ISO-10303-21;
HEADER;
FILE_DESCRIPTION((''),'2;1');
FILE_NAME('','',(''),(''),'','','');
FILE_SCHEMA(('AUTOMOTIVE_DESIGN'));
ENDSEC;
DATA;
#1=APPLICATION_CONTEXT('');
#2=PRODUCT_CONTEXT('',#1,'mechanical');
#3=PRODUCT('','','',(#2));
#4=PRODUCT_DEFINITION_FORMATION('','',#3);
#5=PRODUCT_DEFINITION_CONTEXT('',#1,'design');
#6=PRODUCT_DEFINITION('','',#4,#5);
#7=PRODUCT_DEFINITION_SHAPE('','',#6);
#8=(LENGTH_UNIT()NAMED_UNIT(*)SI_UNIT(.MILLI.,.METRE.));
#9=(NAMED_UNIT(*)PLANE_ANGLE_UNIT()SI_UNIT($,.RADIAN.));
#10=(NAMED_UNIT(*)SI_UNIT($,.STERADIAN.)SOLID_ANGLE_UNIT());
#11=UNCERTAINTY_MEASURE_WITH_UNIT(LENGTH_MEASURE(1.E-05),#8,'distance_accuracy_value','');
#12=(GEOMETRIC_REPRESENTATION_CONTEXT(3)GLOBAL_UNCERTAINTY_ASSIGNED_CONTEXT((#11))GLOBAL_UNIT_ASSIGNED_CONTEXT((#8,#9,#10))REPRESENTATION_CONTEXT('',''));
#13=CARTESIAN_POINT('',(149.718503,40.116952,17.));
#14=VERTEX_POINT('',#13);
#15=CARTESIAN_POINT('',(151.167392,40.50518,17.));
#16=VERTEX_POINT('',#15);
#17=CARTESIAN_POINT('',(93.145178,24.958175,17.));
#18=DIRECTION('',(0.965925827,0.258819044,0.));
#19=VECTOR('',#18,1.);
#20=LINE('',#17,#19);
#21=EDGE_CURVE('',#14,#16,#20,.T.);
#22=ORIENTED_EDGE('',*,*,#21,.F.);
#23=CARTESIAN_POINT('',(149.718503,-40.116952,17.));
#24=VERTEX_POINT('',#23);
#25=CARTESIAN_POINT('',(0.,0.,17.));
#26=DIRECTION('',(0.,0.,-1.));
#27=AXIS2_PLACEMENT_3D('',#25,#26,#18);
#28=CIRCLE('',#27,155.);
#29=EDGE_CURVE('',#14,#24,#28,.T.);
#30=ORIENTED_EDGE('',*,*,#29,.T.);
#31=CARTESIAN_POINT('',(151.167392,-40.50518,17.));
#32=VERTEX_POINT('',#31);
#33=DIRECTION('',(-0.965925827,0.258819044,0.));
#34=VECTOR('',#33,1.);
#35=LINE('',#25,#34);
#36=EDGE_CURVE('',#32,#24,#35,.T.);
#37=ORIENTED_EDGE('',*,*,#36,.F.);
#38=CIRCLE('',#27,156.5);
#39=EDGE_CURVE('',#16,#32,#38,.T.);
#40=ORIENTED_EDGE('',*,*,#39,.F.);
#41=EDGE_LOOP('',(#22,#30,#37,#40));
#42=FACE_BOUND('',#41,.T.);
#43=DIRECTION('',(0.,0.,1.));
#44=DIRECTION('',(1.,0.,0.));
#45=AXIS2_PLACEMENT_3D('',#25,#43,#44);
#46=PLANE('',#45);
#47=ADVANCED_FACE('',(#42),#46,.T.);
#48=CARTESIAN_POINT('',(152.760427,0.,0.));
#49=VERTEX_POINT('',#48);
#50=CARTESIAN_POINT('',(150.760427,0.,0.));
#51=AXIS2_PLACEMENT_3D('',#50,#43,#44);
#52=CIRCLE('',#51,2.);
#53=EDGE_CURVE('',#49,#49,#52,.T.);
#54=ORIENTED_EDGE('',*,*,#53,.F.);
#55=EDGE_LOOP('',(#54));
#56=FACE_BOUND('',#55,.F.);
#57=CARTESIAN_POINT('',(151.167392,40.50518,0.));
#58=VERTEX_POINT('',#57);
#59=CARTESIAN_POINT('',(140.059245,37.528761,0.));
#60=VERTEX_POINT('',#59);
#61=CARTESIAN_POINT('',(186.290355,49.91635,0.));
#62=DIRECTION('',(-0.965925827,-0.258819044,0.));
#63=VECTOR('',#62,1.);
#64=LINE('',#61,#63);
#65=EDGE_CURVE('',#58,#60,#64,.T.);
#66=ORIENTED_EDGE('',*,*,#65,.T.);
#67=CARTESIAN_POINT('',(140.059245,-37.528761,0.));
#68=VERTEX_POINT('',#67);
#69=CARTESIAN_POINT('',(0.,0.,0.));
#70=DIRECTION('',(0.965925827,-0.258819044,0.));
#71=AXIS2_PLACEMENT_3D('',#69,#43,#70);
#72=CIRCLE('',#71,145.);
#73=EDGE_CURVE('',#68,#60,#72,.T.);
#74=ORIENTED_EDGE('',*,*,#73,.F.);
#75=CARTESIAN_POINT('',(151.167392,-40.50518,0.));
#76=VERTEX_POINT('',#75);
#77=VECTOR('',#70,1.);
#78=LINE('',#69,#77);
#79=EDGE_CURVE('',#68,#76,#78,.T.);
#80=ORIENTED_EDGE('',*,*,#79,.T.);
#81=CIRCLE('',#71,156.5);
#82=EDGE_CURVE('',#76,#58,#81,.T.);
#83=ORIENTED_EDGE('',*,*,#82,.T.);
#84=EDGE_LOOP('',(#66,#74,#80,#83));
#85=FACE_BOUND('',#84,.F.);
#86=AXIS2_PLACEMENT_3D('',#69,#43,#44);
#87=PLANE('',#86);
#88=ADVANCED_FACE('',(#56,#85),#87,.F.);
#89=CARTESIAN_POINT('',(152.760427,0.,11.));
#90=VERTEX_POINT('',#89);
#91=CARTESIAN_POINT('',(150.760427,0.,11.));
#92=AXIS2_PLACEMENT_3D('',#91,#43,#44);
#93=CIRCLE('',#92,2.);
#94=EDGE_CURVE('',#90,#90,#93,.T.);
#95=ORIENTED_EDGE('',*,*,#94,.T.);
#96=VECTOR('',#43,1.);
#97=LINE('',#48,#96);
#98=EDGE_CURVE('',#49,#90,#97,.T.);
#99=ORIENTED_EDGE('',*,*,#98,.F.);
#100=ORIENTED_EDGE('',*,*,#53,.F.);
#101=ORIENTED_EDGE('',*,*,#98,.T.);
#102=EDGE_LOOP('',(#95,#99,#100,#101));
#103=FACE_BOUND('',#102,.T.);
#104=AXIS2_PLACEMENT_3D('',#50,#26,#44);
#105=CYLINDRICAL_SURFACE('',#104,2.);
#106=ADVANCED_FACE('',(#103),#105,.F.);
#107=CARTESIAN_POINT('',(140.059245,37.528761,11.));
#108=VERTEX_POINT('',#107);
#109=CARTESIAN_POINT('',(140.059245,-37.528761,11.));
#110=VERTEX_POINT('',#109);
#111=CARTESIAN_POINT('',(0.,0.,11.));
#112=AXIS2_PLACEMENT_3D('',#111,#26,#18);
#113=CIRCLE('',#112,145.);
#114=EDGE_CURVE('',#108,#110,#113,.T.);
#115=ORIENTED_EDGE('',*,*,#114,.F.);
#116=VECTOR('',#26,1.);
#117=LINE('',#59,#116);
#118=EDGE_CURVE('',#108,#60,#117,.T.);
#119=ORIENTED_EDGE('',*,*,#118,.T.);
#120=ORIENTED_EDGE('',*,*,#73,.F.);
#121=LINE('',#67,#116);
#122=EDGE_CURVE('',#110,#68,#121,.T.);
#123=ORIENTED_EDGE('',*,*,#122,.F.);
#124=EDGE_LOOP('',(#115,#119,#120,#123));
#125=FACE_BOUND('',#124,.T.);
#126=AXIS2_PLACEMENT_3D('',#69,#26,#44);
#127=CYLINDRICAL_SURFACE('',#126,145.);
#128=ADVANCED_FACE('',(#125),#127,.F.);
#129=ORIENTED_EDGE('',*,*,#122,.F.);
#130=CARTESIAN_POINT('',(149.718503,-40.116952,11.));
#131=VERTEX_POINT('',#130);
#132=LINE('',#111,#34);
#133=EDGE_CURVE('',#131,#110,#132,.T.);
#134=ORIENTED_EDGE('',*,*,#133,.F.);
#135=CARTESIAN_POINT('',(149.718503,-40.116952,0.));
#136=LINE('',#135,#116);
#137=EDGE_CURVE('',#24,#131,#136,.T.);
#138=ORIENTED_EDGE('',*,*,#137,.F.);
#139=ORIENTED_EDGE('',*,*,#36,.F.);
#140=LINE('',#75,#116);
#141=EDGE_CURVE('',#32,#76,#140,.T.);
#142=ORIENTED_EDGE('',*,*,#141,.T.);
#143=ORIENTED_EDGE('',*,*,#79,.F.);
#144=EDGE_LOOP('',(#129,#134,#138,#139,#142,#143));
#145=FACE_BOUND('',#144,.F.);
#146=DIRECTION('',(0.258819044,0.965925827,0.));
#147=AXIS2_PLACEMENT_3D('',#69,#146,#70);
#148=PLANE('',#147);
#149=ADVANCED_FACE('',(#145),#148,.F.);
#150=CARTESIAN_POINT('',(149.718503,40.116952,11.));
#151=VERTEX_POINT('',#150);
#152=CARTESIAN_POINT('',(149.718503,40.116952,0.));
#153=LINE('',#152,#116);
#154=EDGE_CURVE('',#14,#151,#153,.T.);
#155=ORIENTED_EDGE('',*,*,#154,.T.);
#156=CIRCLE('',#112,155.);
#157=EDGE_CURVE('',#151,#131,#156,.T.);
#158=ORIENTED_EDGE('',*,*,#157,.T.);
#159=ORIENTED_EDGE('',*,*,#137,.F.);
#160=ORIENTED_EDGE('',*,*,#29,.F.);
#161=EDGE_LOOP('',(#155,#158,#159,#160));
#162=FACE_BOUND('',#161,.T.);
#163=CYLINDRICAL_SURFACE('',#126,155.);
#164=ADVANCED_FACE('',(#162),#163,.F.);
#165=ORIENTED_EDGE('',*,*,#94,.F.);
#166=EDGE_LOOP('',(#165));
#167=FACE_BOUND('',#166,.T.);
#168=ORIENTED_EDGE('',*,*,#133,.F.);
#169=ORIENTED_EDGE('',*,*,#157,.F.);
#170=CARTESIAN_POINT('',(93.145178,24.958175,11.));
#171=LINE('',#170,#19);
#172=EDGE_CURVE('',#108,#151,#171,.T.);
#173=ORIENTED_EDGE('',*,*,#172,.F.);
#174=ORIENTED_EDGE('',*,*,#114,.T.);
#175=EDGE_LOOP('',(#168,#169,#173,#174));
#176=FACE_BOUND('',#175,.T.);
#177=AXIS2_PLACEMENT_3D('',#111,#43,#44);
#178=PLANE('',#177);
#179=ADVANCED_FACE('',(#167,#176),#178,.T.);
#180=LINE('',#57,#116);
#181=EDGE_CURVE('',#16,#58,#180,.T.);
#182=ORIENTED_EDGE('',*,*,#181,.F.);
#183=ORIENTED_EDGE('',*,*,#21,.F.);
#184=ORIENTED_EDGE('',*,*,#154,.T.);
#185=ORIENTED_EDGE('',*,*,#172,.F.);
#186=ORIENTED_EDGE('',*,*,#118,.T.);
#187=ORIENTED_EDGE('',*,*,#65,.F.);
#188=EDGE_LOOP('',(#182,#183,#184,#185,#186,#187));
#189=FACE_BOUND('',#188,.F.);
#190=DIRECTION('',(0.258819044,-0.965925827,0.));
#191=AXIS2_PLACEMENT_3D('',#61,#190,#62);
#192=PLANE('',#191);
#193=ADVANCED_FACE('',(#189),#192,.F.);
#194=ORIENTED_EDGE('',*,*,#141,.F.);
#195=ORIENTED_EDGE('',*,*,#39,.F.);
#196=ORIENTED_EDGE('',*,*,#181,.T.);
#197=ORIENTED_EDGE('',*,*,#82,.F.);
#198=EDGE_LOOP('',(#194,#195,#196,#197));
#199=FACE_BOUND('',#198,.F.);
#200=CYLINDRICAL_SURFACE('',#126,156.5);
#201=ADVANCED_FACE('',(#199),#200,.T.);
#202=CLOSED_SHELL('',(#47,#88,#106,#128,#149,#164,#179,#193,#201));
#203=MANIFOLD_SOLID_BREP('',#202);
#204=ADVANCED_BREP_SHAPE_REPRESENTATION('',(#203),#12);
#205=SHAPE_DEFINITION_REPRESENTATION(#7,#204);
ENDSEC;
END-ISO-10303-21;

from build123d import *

# Parameters (mm, degrees)
F0_R     = 156.5
F0_R_2   = 155
F2_DEPTH = 17
F1_R     = 156.5
F1_R_2   = 2
F1_R_3   = 145
F3_DEPTH = 11
F5_DEPTH = 25


with BuildPart() as f2:
    # F0 (on Top) → F2 (new body)
    with BuildSketch(Plane.XY):
        Circle(F0_R)
        Circle(F0_R_2, mode=Mode.SUBTRACT)
    extrude(amount=F2_DEPTH)

    # F1 (on face) → F3 (join)
    with BuildSketch(Plane.XY):
        Circle(F1_R)
        with Locations((-75.380214, -130.56236)):
            Circle(F1_R_2, mode=Mode.SUBTRACT)
        with Locations((-130.56236, -75.380214)):
            Circle(F1_R_2, mode=Mode.SUBTRACT)
        with Locations((0, -150.760427)):
            Circle(F1_R_2, mode=Mode.SUBTRACT)
        with Locations((75.380214, -130.56236)):
            Circle(F1_R_2, mode=Mode.SUBTRACT)
        with Locations((130.56236, -75.380214)):
            Circle(F1_R_2, mode=Mode.SUBTRACT)
        with Locations((-150.760427, 0)):
            Circle(F1_R_2, mode=Mode.SUBTRACT)
        with Locations((-130.56236, 75.380214)):
            Circle(F1_R_2, mode=Mode.SUBTRACT)
        with Locations((-75.380214, 130.56236)):
            Circle(F1_R_2, mode=Mode.SUBTRACT)
        Circle(F1_R_3, mode=Mode.SUBTRACT)
        with Locations((150.760427, 0)):
            Circle(F1_R_2, mode=Mode.SUBTRACT)
        with Locations((130.56236, 75.380214)):
            Circle(F1_R_2, mode=Mode.SUBTRACT)
        with Locations((0, 150.760427)):
            Circle(F1_R_2, mode=Mode.SUBTRACT)
        with Locations((75.380214, 130.56236)):
            Circle(F1_R_2, mode=Mode.SUBTRACT)
    extrude(amount=F3_DEPTH)

    # F4 (on Top) → F5 (intersect)
    with BuildSketch(Plane.XY):
        Polygon((186.290355, 49.91635), (0, 0), (186.290355, -49.91635), align=None)
    extrude(amount=F5_DEPTH, mode=Mode.INTERSECT)


solid = f2.part
